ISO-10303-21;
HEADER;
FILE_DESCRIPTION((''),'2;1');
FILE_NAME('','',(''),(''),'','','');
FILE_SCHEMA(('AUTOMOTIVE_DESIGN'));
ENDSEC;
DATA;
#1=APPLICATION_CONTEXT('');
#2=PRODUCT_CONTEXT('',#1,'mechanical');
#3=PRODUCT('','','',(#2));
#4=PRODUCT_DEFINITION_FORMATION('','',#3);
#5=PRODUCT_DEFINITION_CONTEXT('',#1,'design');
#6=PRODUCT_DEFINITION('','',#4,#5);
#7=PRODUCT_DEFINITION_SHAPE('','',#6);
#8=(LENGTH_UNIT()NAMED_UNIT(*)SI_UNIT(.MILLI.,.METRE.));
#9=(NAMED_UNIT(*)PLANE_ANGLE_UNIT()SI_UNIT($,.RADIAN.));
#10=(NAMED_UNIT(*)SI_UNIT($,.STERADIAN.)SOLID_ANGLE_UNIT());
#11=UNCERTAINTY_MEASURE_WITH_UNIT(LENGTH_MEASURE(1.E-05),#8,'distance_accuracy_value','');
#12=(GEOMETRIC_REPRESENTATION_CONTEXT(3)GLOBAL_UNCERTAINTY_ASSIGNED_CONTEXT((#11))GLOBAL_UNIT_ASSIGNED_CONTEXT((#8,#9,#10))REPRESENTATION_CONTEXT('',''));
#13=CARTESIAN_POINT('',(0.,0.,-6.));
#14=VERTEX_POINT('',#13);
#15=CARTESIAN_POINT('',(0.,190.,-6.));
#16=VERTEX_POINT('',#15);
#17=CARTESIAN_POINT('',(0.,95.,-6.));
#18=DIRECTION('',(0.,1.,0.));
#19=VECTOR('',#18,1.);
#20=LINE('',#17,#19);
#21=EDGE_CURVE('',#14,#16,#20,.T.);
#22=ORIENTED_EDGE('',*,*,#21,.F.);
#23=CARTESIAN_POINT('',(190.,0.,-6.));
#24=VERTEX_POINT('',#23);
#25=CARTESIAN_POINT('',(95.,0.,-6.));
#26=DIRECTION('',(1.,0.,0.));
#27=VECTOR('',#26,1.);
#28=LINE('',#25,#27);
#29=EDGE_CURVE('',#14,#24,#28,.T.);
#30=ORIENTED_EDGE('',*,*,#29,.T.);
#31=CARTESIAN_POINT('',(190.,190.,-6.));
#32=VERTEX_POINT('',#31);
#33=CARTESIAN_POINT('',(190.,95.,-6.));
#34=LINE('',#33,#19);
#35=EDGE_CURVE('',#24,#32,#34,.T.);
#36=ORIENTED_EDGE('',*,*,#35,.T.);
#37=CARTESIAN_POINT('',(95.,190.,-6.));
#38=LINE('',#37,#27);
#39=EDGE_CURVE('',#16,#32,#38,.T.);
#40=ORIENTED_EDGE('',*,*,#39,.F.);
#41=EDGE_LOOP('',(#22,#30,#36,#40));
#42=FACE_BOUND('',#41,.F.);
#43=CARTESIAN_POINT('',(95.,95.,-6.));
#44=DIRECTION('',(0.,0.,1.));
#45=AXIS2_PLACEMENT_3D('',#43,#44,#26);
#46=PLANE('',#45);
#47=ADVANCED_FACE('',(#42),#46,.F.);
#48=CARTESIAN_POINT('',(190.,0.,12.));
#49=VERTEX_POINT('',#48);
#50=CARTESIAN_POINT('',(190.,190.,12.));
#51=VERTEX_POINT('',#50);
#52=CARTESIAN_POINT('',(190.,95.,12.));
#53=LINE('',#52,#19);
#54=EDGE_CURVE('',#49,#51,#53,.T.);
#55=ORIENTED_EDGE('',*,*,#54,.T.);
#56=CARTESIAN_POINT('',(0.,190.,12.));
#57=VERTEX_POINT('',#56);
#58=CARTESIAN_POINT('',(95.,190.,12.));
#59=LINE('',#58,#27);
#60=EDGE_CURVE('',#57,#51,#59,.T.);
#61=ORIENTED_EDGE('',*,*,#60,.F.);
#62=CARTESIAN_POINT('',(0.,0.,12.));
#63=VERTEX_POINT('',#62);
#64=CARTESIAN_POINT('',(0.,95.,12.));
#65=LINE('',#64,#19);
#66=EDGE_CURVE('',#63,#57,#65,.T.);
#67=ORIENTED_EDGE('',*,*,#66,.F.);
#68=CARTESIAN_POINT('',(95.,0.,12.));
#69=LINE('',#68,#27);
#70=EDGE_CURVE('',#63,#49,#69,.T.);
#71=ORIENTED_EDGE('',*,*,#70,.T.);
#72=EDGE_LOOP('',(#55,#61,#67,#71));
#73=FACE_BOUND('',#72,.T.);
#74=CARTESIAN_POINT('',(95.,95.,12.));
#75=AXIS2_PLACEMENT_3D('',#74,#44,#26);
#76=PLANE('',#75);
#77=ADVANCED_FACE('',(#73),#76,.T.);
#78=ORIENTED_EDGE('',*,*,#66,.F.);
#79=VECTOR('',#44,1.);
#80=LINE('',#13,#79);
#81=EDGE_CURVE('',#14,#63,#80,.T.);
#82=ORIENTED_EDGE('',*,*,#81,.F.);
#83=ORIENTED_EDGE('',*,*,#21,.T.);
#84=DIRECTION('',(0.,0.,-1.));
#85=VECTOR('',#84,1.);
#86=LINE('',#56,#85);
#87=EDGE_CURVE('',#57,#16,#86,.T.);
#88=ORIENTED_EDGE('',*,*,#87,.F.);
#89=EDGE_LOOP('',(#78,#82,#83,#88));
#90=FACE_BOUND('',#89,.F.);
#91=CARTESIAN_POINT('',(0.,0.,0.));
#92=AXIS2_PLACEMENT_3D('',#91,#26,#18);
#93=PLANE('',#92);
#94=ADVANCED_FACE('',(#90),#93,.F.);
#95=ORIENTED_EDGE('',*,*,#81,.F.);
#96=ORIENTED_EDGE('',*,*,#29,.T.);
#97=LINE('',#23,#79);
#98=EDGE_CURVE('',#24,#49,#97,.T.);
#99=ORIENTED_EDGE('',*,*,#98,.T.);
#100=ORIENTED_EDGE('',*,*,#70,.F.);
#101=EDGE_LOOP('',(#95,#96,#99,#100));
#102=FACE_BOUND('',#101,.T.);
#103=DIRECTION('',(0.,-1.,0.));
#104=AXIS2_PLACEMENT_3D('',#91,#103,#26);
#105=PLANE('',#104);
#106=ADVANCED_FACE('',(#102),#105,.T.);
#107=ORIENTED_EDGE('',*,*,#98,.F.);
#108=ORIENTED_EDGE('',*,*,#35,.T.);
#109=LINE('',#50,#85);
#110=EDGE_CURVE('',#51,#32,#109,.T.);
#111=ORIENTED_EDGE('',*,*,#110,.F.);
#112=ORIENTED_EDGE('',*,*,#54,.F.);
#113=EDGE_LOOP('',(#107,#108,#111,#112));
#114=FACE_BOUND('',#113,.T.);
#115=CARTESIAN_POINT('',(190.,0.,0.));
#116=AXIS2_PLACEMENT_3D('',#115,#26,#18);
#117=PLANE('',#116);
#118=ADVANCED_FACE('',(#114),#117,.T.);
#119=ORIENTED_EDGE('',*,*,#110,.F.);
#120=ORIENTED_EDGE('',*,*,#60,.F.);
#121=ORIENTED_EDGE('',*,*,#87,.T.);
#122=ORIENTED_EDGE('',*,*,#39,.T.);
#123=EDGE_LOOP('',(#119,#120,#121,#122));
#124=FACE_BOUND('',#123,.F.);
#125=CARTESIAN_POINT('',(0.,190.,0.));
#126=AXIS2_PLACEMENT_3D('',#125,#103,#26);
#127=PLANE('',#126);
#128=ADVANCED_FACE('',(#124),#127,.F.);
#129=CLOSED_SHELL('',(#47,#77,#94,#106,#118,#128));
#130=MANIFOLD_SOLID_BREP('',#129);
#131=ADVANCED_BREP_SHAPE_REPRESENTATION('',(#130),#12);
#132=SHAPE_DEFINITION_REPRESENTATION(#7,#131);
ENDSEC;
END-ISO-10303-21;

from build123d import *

# Parameters (mm, degrees)
F0_W      = 190
F0_H      = 190
F1_DEPTH  = 6
F1_FACE_W = 190
F1_FACE_H = 190
F2_DEPTH  = 6


with BuildPart() as f1:
    # F0 (on Top) → F1 (new body, symmetric)
    with BuildSketch(Plane.XY):
        with Locations((95, 95)):
            Rectangle(F0_W, F0_H)
    extrude(amount=F1_DEPTH, both=True)

    # F1_face (on face) → F2 (join, symmetric)
    with BuildSketch(Plane(origin=(95, 95, 6), x_dir=(1, 0, 0), z_dir=(0, 0, 1))):
        Rectangle(F1_FACE_W, F1_FACE_H)
    extrude(amount=F2_DEPTH, both=True)


solid = f1.part
